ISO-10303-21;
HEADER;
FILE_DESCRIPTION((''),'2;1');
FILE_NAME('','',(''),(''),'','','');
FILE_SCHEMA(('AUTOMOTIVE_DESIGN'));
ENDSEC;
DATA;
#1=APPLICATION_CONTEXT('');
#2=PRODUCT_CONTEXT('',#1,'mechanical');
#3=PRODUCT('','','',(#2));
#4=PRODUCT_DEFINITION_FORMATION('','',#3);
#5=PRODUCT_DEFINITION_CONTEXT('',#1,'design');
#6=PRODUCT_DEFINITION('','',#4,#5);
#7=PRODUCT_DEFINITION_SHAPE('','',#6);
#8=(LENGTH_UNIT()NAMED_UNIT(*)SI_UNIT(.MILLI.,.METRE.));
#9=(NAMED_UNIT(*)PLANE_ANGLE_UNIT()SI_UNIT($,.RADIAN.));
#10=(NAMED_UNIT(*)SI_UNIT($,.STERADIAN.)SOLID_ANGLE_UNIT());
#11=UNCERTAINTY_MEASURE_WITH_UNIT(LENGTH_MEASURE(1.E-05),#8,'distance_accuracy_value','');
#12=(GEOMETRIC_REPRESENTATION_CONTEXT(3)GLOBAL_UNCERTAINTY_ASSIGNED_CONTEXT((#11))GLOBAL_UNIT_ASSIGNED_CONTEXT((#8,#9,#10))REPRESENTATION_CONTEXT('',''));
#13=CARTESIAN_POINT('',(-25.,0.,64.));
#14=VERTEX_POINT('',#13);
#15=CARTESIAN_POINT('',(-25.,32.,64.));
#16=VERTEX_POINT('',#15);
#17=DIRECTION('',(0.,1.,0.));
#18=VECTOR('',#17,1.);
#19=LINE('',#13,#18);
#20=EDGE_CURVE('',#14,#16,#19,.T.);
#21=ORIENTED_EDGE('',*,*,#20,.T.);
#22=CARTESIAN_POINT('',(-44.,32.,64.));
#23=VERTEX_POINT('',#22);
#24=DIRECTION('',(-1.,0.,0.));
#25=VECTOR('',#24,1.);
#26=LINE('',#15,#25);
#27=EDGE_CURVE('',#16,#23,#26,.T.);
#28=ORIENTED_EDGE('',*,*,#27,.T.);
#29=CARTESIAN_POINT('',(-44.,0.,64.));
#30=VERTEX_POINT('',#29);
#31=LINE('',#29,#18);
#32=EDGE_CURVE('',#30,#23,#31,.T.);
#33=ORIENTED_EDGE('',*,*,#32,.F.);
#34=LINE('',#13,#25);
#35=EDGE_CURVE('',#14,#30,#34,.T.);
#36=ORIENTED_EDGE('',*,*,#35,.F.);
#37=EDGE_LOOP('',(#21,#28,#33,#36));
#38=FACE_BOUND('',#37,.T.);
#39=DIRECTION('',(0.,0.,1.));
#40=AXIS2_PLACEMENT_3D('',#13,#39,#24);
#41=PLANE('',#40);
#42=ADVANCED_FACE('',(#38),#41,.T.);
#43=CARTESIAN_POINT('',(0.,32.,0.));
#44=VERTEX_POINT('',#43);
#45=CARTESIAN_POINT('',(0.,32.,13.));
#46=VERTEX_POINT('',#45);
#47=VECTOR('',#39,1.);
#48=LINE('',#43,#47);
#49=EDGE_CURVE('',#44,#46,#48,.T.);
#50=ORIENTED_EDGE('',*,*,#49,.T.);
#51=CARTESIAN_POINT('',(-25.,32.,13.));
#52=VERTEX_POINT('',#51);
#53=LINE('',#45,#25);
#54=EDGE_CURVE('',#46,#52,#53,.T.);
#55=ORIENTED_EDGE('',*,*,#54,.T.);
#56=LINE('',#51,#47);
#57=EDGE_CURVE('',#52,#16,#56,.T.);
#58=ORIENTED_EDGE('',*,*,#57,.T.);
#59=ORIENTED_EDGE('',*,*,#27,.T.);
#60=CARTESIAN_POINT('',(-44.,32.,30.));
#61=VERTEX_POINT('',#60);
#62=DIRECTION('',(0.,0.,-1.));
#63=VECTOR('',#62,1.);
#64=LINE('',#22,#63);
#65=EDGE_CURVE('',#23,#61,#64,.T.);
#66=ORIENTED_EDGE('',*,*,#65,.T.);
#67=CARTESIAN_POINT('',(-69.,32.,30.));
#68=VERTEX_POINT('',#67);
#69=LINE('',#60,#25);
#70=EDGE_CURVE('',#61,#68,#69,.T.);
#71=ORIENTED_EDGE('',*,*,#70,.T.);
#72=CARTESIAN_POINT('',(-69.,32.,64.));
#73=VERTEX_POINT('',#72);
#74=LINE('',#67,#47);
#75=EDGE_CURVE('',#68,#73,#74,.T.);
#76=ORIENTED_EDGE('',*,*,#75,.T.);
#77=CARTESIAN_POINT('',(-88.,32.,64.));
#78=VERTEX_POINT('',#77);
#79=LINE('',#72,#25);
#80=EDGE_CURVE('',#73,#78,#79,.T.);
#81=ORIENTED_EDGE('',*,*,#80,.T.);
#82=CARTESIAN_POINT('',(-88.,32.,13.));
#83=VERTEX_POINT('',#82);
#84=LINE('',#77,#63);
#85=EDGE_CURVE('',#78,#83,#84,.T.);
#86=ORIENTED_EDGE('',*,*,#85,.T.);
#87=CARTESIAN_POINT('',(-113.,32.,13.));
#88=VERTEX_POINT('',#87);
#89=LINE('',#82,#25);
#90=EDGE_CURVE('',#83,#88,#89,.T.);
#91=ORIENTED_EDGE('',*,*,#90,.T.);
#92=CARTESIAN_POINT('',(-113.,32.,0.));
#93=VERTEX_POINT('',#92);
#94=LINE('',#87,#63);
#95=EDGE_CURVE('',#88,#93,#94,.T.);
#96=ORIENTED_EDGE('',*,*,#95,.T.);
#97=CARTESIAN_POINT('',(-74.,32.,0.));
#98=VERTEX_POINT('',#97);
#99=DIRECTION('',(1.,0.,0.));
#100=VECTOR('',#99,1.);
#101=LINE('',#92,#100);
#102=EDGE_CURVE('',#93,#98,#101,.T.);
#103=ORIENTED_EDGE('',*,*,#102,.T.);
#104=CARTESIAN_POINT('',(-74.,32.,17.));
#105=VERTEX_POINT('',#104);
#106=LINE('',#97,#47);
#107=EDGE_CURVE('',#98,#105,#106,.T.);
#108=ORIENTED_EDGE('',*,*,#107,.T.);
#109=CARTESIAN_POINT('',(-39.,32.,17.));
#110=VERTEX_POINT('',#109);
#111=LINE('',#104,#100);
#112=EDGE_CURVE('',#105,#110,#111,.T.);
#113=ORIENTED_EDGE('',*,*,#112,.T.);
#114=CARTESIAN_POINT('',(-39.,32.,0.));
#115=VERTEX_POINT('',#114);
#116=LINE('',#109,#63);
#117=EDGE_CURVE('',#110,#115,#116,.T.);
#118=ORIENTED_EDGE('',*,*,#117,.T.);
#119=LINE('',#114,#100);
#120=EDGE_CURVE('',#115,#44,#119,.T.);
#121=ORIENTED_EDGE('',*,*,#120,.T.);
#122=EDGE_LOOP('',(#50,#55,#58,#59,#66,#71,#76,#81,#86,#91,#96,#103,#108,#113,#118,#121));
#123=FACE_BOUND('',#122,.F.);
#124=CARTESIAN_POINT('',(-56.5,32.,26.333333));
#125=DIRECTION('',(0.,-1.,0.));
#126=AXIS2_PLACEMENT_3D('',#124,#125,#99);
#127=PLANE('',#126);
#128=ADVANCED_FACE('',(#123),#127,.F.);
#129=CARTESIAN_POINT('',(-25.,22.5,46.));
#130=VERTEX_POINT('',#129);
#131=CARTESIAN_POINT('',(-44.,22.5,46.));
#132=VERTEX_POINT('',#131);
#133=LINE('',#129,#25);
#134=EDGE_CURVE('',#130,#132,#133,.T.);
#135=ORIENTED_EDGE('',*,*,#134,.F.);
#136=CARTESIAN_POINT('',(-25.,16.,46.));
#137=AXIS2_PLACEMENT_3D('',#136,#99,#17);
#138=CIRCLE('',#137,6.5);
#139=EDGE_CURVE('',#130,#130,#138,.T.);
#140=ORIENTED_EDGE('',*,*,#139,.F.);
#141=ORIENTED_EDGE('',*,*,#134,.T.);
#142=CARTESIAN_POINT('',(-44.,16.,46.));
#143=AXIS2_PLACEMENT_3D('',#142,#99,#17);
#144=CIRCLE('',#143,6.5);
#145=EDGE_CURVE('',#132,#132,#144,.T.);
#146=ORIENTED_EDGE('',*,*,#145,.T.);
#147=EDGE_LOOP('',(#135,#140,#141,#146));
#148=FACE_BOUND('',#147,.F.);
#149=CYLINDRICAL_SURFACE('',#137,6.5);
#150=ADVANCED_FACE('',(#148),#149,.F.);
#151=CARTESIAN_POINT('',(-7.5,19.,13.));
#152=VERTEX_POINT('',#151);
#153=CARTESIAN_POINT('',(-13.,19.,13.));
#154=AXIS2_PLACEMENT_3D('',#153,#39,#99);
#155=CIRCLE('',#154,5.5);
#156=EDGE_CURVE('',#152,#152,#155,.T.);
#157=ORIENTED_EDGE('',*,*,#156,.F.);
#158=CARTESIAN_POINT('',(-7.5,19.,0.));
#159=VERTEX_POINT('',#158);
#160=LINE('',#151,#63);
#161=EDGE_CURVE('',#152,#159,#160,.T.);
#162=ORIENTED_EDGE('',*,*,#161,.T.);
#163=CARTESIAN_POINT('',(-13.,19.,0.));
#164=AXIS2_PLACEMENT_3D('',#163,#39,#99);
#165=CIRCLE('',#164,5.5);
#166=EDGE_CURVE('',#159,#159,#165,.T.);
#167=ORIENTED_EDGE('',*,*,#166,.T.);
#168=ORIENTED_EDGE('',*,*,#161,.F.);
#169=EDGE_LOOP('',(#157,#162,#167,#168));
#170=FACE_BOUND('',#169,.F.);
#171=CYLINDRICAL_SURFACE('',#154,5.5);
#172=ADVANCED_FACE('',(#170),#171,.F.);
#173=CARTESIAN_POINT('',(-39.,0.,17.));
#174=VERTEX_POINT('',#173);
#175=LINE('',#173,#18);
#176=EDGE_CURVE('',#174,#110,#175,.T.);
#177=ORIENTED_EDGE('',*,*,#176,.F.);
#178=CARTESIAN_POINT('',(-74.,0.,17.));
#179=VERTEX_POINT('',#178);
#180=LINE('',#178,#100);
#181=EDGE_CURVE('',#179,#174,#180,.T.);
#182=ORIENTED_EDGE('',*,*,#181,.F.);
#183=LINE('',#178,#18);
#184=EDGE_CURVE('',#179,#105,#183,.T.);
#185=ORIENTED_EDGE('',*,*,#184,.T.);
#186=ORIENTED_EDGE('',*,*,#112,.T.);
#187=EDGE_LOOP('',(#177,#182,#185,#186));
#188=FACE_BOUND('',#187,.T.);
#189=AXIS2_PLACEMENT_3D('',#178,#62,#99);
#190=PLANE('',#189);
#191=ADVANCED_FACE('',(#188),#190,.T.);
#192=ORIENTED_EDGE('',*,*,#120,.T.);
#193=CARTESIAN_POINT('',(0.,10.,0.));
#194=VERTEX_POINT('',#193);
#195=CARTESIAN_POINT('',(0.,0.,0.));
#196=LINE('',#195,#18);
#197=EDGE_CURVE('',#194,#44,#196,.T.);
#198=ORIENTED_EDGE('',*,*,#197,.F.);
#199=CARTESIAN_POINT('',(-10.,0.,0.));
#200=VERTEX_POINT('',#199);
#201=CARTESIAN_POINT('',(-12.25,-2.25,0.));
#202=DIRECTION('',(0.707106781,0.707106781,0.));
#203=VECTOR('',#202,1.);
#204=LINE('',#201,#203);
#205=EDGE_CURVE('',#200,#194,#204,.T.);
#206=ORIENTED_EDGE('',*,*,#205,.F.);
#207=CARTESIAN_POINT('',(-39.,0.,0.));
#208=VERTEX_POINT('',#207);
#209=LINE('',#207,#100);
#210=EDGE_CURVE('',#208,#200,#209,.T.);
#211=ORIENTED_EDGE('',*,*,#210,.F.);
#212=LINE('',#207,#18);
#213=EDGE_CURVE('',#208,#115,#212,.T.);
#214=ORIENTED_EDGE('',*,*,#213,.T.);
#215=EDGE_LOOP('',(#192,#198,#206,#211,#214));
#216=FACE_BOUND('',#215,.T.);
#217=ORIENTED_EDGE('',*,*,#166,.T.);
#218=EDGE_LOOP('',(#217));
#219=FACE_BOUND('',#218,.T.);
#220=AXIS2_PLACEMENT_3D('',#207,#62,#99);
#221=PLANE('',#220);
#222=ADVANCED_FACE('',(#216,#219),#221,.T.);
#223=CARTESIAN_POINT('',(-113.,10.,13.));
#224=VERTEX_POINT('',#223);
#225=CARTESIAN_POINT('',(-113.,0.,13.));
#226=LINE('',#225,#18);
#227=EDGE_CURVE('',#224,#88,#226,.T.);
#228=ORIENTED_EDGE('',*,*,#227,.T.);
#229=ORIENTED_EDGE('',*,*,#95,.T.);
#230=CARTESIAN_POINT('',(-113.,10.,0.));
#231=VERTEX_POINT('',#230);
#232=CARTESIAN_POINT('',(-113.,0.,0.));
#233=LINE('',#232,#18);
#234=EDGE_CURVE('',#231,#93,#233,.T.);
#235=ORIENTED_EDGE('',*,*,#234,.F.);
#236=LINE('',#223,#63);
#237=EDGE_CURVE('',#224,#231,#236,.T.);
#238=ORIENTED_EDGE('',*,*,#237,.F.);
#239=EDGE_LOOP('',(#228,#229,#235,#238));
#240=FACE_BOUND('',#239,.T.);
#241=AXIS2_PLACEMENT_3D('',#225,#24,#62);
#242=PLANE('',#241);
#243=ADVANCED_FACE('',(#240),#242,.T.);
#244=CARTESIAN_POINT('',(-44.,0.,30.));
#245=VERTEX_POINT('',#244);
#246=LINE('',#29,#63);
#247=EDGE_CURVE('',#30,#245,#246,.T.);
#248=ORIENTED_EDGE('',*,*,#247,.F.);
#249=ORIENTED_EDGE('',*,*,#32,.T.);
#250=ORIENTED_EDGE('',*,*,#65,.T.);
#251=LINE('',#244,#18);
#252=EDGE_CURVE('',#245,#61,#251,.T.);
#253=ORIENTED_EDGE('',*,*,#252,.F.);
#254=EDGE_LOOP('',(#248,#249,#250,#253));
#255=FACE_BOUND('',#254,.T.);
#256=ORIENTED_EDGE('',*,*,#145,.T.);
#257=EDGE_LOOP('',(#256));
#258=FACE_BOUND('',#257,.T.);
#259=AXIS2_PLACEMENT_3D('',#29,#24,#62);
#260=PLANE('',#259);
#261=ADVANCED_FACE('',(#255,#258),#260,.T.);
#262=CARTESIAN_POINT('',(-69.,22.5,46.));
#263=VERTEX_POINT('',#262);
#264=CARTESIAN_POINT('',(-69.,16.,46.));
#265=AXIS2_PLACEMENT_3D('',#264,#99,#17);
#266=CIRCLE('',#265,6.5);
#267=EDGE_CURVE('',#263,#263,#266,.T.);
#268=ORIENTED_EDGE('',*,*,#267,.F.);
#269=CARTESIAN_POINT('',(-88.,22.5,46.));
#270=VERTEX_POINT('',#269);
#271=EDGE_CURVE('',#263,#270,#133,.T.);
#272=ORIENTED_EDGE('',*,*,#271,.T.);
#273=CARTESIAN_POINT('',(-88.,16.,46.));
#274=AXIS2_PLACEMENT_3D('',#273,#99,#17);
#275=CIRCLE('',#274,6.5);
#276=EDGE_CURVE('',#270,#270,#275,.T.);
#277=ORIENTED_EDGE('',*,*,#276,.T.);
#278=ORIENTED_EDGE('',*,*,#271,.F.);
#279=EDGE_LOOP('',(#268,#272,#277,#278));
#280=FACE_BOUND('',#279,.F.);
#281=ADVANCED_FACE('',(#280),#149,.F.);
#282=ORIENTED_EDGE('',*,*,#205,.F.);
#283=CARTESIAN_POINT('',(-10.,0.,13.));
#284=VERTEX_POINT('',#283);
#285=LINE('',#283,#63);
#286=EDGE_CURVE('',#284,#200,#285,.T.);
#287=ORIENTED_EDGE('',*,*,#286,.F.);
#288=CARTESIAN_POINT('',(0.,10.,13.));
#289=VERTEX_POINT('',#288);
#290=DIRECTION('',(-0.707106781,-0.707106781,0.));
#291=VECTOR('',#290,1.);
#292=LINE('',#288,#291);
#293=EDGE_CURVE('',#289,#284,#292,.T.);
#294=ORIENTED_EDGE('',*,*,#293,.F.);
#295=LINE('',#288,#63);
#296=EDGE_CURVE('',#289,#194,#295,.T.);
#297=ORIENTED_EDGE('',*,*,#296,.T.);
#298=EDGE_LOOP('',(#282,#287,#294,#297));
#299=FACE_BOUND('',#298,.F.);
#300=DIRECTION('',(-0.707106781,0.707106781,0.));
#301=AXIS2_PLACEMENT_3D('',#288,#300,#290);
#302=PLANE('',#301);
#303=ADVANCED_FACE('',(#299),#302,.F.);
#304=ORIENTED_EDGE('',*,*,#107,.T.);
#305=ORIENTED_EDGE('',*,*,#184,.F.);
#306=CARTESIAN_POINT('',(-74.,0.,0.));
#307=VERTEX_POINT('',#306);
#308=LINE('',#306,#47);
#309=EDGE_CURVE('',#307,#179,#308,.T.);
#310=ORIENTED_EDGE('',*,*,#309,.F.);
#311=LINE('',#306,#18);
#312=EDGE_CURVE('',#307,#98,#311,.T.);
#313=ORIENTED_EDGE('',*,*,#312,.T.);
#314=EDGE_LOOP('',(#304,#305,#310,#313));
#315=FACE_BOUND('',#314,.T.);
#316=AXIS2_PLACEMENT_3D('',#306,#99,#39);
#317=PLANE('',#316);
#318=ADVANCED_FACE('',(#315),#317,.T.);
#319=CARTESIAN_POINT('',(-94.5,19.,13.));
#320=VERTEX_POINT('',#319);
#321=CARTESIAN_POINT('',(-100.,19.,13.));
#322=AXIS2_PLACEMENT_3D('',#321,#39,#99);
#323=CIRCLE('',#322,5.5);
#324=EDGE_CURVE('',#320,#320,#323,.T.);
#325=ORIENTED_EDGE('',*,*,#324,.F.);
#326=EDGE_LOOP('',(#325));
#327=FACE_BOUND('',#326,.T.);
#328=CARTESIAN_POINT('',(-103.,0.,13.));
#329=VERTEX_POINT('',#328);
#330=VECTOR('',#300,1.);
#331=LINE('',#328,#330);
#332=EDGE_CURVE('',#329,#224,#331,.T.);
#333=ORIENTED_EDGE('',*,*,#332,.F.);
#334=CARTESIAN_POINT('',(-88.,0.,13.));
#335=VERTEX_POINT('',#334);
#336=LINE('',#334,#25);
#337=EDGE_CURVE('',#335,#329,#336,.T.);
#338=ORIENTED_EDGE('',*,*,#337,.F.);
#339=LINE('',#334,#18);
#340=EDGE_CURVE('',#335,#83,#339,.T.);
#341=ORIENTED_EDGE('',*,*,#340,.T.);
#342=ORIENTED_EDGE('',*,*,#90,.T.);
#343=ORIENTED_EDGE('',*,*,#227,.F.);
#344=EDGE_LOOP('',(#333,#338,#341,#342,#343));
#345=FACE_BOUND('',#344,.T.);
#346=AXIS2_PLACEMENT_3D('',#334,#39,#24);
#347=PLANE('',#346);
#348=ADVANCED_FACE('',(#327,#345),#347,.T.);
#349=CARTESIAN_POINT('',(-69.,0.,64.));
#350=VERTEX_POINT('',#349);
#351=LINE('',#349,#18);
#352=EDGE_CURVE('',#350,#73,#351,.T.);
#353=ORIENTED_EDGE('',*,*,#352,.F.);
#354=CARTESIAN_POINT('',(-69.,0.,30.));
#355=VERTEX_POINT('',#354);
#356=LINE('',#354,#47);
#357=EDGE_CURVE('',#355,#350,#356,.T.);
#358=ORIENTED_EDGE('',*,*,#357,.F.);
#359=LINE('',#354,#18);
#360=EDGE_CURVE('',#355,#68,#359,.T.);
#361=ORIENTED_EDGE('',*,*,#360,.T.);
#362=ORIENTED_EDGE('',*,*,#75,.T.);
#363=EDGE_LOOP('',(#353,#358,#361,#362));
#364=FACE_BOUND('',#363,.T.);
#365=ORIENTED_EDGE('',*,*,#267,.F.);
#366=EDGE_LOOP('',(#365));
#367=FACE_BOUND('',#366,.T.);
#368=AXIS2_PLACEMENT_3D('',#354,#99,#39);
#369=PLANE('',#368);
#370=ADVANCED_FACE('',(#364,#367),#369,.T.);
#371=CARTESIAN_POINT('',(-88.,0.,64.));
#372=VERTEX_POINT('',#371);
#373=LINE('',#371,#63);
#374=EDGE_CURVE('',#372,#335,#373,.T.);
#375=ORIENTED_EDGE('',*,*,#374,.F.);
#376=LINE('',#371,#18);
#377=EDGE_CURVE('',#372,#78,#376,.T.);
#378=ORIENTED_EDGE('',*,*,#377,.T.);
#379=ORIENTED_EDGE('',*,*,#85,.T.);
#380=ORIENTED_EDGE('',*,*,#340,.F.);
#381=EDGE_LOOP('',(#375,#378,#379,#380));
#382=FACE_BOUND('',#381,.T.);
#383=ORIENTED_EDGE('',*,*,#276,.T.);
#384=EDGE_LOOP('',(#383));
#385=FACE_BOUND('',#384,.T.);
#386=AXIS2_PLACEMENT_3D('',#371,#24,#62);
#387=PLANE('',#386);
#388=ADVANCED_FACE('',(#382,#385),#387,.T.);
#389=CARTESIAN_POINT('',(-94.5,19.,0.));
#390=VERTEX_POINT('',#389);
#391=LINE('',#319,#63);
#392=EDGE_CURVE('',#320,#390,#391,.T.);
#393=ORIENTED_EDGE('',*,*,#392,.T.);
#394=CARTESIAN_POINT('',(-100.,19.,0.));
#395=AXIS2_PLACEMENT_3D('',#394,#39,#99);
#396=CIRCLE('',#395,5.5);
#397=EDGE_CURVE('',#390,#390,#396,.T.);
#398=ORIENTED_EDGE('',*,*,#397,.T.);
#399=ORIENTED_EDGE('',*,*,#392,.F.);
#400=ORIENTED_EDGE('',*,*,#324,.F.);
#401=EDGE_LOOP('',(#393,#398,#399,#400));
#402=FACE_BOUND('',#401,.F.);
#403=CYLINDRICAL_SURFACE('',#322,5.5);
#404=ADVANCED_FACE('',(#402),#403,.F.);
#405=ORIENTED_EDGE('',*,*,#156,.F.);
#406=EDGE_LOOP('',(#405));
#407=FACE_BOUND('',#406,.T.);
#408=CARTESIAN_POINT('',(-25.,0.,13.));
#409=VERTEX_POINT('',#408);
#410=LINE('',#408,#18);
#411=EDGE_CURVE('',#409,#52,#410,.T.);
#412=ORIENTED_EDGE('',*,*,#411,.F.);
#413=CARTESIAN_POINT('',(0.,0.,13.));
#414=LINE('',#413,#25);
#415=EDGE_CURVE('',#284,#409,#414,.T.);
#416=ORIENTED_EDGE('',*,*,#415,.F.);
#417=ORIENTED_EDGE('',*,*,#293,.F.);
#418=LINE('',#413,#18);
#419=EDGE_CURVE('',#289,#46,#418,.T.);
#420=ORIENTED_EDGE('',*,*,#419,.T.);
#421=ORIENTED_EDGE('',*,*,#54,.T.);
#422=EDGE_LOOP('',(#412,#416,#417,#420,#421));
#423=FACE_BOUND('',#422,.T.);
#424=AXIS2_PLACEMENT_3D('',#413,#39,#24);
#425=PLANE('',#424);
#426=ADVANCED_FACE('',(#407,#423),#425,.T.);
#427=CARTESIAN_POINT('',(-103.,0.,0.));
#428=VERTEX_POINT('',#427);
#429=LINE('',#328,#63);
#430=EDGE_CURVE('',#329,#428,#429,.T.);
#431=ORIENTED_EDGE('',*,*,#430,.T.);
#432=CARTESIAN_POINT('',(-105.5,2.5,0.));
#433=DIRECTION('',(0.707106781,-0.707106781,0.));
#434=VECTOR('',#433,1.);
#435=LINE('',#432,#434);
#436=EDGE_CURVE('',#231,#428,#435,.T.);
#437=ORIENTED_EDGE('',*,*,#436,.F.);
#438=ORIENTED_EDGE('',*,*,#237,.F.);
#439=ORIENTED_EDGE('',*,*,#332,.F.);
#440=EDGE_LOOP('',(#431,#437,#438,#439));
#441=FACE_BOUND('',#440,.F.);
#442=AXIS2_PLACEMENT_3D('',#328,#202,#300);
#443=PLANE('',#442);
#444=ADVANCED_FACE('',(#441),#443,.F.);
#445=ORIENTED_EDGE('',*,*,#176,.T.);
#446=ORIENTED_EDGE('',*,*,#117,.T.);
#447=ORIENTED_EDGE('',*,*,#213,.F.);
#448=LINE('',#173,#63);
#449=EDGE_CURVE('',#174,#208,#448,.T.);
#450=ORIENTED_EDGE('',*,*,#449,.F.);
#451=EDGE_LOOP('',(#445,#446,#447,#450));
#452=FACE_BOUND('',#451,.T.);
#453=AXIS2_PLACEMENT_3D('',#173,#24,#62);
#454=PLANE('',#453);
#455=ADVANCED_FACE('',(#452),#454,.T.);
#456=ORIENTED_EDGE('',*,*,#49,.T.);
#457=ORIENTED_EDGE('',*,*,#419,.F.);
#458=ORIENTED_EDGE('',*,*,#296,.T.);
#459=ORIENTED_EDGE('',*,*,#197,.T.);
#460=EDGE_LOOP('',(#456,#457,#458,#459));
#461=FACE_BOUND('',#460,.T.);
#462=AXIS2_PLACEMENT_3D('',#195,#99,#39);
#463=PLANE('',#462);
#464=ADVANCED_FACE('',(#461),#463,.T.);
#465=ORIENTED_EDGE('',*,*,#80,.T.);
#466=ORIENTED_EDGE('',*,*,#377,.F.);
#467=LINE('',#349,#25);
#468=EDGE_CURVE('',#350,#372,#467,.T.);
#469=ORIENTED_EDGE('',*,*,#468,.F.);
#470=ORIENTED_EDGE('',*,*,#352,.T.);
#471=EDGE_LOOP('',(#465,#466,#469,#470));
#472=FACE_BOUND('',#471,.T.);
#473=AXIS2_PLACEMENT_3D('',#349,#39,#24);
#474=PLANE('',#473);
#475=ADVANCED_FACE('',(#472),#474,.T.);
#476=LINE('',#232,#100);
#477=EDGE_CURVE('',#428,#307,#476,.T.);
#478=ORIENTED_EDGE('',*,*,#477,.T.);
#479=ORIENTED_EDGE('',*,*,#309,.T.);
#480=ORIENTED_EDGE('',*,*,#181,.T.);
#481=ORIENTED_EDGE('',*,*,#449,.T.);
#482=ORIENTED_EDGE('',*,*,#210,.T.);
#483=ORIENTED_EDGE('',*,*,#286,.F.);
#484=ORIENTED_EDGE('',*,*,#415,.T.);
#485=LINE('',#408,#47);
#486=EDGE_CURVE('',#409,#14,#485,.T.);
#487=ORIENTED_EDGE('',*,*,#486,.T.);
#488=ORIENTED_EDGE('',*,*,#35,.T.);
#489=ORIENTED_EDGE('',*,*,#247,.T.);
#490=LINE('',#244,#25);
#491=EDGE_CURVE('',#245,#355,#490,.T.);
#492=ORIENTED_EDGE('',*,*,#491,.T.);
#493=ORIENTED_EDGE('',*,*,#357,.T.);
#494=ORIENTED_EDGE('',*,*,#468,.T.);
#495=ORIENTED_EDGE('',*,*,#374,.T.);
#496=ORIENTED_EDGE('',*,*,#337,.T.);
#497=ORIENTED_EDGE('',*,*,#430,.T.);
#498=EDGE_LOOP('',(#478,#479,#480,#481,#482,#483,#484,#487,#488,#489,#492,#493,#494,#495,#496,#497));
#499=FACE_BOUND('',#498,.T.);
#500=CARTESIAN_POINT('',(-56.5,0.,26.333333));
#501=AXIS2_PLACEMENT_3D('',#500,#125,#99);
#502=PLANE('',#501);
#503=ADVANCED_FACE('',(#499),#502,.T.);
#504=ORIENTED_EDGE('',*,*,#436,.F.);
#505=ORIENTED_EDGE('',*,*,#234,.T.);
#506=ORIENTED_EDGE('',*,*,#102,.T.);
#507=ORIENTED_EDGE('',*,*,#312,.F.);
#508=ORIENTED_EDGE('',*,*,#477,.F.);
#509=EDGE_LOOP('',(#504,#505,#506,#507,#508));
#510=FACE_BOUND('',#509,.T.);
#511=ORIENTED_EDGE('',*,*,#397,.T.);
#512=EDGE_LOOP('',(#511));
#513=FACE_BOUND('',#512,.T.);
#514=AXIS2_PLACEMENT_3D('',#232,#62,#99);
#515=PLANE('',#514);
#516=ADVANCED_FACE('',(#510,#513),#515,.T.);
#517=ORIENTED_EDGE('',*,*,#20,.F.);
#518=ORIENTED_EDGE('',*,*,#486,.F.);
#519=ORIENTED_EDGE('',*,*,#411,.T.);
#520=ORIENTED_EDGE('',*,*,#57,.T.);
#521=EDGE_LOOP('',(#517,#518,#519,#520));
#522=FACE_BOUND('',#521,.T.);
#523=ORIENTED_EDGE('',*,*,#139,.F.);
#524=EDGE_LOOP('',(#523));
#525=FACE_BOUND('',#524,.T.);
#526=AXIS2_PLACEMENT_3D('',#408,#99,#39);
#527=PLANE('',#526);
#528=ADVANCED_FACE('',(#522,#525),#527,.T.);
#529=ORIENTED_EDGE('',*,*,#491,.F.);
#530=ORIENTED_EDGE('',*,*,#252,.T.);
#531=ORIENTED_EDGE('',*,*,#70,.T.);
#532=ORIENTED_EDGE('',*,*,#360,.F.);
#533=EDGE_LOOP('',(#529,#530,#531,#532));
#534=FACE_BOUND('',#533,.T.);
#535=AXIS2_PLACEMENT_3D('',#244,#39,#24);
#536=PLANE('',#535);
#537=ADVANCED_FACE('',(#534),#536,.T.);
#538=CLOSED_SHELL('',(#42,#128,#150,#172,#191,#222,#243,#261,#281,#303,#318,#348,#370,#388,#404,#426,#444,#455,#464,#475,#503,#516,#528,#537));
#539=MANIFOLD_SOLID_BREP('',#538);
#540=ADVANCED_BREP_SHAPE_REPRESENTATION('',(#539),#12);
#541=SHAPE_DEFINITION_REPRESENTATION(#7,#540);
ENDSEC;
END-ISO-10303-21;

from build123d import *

# Parameters (mm, degrees)
F1_DEPTH = 32
F2_R     = 5.5
F3_DEPTH = 13.001
F5_DEPTH = 13.001
F6_R     = 6.5
F7_DEPTH = 88.001


with BuildPart() as f1:
    # F0 (on Front) → F1 (new body)
    with BuildSketch(Plane.XZ):
        Polygon((-39, 0), (0, 0), (0, 13), (-25, 13), (-25, 64), (-44, 64), (-44, 30), (-69, 30), (-69, 64), (-88, 64), (-88, 13), (-113, 13), (-113, 0), (-74, 0), (-74, 17), (-39, 17), align=None)
    extrude(amount=-F1_DEPTH)

    # F2 (on face) → F3 (cut, through all)
    with BuildSketch(Plane.XY.offset(13)):
        with Locations((-13, 19)):
            Circle(F2_R)
        with Locations((-100, 19)):
            Circle(F2_R)
    extrude(amount=-F3_DEPTH, mode=Mode.SUBTRACT)

    # F4 (on face) → F5 (cut, through all)
    with BuildSketch(Plane.XY.offset(13)):
        Polygon((-113, 10), (-113, 0), (-103, 0), align=None)
        Polygon((-10, 0), (0, 0), (0, 10), align=None)
    extrude(amount=-F5_DEPTH, mode=Mode.SUBTRACT)

    # F6 (on face) → F7 (cut, through all)
    with BuildSketch(Plane.YZ.offset(-25)):
        with Locations((16, 46)):
            Circle(F6_R)
    extrude(amount=-F7_DEPTH, mode=Mode.SUBTRACT)


solid = f1.part
